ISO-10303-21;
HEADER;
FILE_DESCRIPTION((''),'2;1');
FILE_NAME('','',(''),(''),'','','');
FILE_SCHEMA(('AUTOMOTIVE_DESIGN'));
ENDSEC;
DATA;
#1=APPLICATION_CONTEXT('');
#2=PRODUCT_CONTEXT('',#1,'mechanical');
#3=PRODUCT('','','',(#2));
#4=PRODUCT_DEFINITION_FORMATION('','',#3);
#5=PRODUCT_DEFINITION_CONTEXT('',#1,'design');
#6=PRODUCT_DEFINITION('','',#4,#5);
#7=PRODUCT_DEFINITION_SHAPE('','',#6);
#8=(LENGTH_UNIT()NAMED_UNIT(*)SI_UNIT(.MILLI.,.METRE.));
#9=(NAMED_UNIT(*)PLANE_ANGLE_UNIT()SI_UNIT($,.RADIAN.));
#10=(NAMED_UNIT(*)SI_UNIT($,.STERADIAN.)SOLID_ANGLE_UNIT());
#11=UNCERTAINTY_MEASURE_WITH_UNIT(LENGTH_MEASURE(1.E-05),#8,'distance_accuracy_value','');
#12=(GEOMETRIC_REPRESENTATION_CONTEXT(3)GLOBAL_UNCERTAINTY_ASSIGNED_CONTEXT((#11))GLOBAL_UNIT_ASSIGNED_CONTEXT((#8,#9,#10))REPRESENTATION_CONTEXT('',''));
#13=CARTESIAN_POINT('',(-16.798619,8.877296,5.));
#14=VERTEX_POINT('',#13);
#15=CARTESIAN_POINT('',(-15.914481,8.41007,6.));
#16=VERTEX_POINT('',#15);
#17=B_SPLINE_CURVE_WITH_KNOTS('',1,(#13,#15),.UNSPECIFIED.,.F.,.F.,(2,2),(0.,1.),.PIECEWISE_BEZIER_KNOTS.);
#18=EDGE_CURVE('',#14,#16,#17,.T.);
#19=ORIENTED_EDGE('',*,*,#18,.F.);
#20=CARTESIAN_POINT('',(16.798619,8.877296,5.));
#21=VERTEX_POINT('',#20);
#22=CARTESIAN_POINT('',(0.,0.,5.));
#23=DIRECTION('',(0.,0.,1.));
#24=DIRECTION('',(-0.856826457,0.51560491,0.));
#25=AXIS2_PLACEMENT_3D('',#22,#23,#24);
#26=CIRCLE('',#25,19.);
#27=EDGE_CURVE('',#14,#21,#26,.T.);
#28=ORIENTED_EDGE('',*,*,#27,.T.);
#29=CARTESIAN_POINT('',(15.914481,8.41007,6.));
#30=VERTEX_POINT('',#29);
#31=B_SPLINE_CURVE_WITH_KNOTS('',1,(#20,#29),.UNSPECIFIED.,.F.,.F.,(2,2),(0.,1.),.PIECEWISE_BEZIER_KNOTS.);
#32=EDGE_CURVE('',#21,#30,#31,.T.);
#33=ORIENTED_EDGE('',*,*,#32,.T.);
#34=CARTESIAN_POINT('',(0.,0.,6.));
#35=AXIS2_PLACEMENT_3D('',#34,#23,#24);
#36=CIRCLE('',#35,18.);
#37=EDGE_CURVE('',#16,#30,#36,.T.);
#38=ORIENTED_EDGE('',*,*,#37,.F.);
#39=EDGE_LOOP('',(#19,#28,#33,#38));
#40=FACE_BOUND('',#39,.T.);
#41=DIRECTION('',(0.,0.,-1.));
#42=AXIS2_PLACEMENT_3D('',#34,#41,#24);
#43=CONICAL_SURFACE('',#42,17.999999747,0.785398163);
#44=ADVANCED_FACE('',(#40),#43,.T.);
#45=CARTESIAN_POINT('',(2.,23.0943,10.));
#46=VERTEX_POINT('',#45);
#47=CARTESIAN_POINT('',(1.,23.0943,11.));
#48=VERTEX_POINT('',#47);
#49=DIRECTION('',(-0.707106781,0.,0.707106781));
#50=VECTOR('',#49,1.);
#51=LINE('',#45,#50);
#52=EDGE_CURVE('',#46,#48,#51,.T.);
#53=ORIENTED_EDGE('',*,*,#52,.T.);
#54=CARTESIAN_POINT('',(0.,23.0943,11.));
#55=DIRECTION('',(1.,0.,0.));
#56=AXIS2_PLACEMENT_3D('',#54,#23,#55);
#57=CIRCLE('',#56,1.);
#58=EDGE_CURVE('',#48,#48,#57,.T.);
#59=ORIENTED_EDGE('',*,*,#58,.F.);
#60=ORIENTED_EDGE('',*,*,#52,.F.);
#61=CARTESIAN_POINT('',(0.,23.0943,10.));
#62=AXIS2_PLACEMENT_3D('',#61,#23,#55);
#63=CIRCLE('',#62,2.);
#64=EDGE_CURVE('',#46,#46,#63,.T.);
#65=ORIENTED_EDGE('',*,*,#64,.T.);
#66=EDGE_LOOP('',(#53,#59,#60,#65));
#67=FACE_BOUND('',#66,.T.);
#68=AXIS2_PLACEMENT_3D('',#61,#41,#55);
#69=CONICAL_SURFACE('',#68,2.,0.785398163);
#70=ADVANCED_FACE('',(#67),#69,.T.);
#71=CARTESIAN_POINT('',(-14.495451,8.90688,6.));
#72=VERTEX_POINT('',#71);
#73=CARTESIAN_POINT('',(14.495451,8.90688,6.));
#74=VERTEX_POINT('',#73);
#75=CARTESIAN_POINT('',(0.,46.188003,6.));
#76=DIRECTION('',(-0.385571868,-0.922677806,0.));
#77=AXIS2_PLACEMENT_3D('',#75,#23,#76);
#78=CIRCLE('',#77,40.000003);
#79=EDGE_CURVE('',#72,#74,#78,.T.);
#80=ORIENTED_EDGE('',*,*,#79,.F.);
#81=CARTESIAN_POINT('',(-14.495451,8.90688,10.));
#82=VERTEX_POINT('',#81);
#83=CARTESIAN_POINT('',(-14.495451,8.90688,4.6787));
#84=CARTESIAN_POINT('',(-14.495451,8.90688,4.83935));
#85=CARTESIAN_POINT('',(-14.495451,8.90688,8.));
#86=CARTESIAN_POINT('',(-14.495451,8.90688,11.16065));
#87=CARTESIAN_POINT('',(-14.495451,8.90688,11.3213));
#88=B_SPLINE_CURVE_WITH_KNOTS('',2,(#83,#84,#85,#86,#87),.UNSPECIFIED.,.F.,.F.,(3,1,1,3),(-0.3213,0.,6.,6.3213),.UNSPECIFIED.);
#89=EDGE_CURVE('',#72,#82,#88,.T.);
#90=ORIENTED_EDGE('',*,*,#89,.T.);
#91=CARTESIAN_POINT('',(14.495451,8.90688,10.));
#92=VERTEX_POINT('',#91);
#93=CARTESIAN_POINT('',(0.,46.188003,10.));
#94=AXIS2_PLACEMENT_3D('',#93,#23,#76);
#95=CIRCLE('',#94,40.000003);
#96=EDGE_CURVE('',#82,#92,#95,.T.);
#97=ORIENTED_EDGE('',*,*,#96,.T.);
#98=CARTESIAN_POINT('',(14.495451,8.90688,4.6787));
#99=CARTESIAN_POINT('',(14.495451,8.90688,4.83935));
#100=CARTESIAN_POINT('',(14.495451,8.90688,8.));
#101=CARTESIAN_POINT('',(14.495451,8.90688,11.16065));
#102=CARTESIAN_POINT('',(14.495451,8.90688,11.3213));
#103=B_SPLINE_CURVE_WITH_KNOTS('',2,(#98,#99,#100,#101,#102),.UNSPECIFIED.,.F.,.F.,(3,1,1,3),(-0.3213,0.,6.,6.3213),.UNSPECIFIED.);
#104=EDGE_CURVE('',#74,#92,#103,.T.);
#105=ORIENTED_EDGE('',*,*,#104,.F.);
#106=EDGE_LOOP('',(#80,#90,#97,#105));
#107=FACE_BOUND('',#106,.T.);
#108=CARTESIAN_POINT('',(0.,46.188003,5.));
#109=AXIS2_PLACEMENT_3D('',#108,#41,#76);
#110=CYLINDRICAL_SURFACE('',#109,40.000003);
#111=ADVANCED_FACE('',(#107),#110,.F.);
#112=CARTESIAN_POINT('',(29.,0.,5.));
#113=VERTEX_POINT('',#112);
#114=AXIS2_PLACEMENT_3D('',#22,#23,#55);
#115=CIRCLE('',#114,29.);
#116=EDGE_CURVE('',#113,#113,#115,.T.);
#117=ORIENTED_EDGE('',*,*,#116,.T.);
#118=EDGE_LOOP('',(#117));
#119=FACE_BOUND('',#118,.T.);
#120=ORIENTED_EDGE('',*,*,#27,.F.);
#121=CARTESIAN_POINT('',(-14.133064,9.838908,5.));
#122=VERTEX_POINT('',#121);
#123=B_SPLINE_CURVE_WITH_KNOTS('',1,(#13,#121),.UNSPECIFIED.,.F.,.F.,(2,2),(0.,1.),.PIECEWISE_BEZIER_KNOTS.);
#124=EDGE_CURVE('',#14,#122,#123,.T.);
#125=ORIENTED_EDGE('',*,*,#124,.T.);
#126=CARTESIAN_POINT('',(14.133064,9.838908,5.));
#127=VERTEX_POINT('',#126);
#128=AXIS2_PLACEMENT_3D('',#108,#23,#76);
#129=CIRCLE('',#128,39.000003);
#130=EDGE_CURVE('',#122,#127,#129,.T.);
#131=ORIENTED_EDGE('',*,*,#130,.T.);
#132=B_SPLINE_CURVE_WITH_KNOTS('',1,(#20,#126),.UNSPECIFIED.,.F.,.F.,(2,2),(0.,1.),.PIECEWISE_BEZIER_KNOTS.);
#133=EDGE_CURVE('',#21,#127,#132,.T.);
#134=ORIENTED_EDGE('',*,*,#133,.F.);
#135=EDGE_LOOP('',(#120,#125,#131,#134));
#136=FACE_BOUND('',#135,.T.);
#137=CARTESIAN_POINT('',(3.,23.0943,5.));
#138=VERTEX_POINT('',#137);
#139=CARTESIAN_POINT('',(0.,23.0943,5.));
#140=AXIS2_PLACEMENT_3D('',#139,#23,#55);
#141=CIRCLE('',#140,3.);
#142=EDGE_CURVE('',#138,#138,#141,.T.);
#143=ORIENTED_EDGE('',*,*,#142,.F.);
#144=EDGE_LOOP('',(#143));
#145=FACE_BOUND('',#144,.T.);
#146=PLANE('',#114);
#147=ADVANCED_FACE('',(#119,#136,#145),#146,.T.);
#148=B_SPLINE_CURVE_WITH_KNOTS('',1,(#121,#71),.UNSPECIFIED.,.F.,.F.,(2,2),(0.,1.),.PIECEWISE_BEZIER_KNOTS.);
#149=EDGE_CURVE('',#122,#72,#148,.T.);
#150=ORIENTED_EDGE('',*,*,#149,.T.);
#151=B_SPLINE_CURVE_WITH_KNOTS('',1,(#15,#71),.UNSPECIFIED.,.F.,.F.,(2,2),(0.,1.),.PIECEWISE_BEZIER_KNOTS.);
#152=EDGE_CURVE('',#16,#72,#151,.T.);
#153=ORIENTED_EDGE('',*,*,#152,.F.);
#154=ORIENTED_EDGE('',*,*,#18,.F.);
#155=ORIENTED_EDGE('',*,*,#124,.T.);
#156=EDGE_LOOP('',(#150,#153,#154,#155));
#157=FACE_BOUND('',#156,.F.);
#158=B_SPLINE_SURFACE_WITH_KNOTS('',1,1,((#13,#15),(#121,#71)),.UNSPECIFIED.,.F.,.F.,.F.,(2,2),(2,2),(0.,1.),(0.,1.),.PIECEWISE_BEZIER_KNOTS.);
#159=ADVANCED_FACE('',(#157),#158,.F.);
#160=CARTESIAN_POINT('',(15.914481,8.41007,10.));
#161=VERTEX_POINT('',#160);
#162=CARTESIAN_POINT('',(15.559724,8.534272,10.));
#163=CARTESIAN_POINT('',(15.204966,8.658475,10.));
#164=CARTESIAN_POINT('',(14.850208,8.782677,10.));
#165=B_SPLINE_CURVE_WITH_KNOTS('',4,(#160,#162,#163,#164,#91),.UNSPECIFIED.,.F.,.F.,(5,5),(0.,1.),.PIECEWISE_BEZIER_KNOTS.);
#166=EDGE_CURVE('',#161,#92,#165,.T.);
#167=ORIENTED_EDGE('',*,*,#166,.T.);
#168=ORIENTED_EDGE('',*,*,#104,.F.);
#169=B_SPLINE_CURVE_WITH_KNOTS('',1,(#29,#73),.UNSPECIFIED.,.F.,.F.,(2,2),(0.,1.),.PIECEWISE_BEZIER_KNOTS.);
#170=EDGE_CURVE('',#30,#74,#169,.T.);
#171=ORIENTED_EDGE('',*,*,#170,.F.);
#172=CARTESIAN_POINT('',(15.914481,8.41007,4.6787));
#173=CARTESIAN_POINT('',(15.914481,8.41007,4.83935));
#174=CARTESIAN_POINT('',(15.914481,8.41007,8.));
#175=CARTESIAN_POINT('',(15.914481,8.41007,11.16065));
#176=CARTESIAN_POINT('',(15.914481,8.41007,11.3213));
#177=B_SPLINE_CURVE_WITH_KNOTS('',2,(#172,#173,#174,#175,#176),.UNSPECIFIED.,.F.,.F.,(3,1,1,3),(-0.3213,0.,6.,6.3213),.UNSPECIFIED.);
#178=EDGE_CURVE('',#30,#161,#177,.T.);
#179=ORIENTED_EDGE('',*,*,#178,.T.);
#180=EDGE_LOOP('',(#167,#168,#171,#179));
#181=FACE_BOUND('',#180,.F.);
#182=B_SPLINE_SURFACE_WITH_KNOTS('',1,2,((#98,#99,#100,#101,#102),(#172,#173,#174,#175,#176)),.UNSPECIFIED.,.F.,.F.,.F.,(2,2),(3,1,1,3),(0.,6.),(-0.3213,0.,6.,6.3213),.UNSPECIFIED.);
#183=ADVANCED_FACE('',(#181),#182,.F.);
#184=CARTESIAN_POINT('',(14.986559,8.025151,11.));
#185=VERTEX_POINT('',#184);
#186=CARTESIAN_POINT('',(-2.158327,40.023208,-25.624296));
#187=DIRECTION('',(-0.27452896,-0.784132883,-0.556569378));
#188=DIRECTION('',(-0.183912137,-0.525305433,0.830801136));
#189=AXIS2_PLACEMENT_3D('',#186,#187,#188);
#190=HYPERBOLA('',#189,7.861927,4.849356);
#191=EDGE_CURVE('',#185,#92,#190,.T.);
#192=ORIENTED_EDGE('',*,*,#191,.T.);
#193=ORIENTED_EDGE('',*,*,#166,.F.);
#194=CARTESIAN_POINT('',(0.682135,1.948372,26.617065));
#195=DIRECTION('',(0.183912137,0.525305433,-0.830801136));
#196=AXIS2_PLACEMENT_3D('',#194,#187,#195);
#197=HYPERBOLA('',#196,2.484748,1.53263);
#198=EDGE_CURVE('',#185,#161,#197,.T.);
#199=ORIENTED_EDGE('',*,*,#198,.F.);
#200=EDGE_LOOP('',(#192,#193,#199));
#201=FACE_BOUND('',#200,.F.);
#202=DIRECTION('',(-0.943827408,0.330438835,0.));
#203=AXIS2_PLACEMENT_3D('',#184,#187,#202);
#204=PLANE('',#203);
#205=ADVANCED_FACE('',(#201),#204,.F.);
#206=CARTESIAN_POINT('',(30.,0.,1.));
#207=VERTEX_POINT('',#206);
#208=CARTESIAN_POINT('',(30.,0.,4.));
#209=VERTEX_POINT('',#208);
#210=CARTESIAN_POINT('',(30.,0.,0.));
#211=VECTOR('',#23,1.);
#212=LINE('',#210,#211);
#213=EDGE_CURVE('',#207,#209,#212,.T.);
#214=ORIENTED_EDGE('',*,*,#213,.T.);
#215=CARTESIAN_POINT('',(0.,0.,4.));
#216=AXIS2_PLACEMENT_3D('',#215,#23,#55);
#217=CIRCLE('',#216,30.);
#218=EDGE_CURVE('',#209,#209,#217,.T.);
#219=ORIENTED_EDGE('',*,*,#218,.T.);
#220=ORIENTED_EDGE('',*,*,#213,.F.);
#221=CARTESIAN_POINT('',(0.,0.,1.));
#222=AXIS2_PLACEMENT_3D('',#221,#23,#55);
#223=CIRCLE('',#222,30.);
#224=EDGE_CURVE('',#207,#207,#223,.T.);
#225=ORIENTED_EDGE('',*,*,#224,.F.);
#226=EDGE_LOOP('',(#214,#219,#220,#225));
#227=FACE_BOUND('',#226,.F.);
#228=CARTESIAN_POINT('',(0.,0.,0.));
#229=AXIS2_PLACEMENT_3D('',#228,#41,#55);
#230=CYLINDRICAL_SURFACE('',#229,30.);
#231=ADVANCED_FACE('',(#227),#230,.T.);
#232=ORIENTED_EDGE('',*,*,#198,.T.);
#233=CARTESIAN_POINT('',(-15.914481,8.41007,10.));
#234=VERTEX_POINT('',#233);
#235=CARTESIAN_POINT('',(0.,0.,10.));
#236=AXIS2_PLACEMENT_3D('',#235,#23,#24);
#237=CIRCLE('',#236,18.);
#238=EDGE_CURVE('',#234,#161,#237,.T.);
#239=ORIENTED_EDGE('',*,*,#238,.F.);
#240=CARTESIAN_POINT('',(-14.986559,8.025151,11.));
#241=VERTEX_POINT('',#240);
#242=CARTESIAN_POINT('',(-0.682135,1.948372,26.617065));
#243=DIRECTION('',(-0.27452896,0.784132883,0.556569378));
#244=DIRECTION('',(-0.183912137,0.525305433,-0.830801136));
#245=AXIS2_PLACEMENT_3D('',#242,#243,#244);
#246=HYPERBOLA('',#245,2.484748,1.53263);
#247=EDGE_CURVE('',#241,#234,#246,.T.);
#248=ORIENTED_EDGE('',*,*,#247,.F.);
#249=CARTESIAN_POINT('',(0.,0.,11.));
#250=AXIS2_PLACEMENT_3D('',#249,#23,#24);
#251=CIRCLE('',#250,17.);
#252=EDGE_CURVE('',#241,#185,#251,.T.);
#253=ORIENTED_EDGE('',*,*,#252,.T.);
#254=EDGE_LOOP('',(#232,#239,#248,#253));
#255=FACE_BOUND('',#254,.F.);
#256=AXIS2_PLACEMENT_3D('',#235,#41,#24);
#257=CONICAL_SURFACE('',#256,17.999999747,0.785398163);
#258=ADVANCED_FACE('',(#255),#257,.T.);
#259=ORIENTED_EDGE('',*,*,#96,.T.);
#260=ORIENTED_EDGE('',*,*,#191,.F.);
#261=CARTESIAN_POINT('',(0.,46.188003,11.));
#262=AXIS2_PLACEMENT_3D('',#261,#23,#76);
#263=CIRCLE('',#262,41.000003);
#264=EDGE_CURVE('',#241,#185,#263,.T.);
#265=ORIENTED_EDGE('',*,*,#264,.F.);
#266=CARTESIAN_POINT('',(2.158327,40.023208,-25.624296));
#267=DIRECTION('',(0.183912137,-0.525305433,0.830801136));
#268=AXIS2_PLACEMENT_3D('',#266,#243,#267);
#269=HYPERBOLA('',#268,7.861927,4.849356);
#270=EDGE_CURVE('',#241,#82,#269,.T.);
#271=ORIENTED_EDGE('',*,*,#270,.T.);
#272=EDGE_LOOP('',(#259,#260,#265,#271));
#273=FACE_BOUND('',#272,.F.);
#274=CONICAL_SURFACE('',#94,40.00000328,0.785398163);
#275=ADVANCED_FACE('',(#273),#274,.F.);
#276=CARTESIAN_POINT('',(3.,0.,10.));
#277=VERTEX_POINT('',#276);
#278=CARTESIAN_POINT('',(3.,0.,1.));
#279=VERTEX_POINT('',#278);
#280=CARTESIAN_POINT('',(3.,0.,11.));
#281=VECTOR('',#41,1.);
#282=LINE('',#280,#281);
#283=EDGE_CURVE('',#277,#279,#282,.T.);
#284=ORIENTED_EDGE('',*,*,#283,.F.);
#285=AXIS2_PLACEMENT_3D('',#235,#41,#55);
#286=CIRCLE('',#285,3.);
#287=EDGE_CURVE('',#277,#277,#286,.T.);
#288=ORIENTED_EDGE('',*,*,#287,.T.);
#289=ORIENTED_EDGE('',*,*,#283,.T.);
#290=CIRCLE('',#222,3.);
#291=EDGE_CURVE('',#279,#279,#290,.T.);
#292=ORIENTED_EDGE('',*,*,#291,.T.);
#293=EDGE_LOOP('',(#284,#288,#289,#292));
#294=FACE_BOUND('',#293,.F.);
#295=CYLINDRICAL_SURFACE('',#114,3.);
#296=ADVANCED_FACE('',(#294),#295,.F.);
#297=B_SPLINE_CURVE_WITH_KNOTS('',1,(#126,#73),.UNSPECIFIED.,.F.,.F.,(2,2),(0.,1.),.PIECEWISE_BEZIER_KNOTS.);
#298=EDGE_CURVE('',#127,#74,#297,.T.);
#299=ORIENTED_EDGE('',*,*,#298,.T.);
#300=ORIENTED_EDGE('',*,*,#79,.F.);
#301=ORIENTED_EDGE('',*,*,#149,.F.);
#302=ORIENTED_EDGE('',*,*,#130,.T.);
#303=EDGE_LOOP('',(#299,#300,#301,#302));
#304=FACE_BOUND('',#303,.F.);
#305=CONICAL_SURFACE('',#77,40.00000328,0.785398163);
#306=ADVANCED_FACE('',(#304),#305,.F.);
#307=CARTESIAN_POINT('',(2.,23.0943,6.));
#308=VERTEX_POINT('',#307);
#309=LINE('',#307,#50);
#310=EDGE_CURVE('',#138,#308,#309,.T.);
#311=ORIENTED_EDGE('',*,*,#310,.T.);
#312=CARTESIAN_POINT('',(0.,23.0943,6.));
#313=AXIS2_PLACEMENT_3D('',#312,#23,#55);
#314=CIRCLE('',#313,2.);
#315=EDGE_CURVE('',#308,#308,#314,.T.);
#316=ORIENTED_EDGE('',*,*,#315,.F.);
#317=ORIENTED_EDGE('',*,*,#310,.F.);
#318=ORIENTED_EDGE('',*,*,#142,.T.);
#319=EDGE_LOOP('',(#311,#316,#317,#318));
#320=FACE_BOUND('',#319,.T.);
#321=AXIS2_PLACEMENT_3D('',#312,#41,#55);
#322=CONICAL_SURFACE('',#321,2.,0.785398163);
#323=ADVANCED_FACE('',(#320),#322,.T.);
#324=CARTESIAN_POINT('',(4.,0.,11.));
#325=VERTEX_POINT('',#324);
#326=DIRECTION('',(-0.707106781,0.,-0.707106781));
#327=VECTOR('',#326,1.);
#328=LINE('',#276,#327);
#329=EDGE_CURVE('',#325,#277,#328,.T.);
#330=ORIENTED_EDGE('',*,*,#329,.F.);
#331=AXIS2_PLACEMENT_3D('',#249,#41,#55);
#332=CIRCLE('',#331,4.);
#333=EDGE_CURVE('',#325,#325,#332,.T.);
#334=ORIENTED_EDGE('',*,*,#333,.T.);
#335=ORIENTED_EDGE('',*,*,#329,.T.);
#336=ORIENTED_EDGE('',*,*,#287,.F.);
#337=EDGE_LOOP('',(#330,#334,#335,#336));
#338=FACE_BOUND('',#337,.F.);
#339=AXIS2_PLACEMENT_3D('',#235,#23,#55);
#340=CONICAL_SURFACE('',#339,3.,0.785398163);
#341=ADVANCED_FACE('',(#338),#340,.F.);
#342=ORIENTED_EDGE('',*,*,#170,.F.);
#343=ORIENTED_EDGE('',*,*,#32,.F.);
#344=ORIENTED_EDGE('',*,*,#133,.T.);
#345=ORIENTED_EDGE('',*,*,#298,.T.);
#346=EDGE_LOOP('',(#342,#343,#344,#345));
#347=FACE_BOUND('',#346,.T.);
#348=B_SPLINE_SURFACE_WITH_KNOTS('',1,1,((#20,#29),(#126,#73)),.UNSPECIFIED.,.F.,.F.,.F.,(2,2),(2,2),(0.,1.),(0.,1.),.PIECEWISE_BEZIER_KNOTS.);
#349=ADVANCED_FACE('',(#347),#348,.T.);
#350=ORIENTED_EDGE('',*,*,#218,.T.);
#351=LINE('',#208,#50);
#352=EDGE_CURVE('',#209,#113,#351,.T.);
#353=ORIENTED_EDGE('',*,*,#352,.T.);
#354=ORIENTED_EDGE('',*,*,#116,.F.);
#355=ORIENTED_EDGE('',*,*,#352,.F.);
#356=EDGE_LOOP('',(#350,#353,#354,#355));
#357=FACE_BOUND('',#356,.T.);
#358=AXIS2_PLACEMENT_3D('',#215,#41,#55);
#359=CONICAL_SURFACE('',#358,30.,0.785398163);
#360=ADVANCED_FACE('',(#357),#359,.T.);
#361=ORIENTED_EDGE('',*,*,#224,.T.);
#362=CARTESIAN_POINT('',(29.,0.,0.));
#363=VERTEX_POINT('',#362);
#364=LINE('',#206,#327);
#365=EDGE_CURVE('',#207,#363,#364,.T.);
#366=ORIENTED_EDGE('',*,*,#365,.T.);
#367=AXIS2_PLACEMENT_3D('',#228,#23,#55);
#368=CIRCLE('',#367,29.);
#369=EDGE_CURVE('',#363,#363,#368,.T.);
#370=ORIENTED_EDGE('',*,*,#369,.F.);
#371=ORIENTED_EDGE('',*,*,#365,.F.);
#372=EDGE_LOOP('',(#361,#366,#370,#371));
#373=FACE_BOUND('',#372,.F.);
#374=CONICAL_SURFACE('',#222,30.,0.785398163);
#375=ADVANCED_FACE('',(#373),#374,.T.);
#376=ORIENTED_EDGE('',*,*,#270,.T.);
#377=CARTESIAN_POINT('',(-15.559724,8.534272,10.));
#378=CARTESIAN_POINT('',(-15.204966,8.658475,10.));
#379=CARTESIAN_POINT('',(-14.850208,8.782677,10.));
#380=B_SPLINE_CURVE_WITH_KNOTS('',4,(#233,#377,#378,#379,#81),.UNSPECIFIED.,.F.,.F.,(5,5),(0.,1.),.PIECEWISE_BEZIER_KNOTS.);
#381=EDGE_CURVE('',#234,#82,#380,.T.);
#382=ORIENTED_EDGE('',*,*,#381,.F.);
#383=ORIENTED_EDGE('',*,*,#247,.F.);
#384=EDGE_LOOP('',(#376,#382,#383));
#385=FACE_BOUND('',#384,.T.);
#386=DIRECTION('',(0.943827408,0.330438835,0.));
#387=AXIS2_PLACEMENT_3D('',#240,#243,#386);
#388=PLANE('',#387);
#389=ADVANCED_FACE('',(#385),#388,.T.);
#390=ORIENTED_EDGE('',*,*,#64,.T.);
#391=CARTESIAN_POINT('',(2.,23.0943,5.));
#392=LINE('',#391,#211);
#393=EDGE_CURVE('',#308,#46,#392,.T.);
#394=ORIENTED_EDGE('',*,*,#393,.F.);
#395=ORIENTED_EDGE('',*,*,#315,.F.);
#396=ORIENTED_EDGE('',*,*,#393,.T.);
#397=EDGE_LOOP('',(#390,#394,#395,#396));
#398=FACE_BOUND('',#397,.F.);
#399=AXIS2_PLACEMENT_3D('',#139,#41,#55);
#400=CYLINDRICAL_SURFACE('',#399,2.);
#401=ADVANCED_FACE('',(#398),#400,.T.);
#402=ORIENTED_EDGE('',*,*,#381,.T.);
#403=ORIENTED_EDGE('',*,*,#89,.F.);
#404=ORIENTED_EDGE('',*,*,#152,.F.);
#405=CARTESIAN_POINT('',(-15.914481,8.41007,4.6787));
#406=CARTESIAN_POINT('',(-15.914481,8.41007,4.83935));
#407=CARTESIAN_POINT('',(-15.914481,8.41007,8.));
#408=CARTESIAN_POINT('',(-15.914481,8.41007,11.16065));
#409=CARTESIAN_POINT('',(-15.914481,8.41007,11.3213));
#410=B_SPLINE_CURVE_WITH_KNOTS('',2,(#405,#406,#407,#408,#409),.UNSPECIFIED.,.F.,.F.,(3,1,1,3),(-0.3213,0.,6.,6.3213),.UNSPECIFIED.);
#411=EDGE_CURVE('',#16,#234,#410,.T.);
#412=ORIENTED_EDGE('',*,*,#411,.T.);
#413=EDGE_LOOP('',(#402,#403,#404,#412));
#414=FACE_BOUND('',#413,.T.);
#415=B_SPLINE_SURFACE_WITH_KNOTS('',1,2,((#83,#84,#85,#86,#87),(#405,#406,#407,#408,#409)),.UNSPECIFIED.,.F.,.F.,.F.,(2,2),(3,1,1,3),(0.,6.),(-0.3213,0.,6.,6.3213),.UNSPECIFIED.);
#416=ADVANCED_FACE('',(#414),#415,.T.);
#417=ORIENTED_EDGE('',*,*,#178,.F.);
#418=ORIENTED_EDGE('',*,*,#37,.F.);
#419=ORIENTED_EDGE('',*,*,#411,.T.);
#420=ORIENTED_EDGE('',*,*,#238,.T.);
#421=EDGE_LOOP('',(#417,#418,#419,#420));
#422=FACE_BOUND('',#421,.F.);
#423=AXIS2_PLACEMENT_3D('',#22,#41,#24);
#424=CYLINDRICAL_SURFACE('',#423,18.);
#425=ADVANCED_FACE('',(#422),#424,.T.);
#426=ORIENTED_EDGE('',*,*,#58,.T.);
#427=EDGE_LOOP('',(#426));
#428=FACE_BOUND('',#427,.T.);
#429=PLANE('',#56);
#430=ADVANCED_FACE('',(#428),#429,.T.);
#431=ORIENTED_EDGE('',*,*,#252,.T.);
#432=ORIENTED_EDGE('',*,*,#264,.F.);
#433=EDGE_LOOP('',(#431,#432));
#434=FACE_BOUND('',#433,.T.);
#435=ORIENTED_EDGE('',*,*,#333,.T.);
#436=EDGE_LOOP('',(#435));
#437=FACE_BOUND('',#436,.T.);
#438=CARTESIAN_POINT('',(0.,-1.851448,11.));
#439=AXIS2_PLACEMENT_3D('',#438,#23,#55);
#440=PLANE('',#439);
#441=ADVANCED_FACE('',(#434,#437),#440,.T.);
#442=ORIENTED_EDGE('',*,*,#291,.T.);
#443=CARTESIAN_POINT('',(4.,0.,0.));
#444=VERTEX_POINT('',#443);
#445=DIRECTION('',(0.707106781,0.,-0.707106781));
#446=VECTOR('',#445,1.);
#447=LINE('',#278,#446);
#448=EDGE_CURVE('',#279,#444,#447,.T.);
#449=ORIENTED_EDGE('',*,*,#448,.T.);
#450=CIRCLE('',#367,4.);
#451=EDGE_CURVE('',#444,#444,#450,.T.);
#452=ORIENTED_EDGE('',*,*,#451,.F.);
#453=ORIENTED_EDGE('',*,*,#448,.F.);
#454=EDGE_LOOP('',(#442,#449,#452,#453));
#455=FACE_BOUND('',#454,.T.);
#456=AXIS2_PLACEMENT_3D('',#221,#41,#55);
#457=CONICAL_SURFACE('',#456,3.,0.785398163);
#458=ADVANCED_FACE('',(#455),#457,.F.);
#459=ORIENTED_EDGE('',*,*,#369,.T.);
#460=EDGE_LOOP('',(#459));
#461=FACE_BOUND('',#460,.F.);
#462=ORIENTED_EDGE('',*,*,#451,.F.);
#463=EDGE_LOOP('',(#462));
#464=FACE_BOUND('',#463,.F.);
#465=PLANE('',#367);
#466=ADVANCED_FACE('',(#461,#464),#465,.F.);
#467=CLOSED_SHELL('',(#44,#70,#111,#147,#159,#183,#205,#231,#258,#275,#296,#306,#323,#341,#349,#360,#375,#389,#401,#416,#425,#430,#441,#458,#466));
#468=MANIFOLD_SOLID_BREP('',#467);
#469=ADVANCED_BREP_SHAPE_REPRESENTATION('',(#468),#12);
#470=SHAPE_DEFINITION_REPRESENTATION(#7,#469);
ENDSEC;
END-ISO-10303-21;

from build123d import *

# Parameters (mm, degrees)
SKETCH003_R          = 30
PAD001_DEPTH         = 5
SKETCH004_R          = 2
PAD002_DEPTH         = 6
SKETCH005_R          = 3
POCKET002_DEPTH      = 5.001
POCKET002_DEPTH_BACK = 6.001
CHAMFER002_SIZE      = 1


with BuildPart() as part:
    # Sketch003 → Pad001 (new body)
    with BuildSketch(Plane.XY):
        Circle(SKETCH003_R)
    extrude(amount=PAD001_DEPTH)

    # Sketch004 (on Face3 of Pad001) → Pad002 (join)
    with BuildSketch(Plane.XY.offset(5)):
        with Locations((0, 23.0943)):
            Circle(SKETCH004_R)
        with BuildLine():
            ThreePointArc((-15.422876, 9.280888), (0, -18), (15.422876, 9.280888))
            ThreePointArc((-15.422876, 9.280888), (0, 6.188), (15.422876, 9.280888))
        make_face()
    extrude(amount=PAD002_DEPTH)

    # Sketch005 (on Face3 of Pad002) → Pocket002 (cut, two sides)
    with BuildSketch(Plane.XY.offset(5)) as pocket002_sk:
        Circle(SKETCH005_R)
    extrude(amount=-POCKET002_DEPTH, mode=Mode.SUBTRACT)
    extrude(pocket002_sk.sketch, amount=POCKET002_DEPTH_BACK, mode=Mode.SUBTRACT)

    # Chamfer002
    chamfer002_edges = [part.edges().sort_by_distance(p)[0] for p in [
        (30, 0, 2.5),
        (-30, 0, 0),
        (-30, 0, 5),
        (-3, 0, 0),
        (0, -18, 5),
        (0, 6.188, 5),
        (-2, 23.0943, 5),
        (-3, 0, 11),
        (3, 0, 5.5),
        (-15.422876, 9.280888, 8),
        (15.422876, 9.280888, 8),
        (0, -18, 11),
        (0, 6.188, 11),
        (2, 23.0943, 8),
        (-2, 23.0943, 11),
    ]]
    chamfer(chamfer002_edges, length=CHAMFER002_SIZE)


solid = part.part
